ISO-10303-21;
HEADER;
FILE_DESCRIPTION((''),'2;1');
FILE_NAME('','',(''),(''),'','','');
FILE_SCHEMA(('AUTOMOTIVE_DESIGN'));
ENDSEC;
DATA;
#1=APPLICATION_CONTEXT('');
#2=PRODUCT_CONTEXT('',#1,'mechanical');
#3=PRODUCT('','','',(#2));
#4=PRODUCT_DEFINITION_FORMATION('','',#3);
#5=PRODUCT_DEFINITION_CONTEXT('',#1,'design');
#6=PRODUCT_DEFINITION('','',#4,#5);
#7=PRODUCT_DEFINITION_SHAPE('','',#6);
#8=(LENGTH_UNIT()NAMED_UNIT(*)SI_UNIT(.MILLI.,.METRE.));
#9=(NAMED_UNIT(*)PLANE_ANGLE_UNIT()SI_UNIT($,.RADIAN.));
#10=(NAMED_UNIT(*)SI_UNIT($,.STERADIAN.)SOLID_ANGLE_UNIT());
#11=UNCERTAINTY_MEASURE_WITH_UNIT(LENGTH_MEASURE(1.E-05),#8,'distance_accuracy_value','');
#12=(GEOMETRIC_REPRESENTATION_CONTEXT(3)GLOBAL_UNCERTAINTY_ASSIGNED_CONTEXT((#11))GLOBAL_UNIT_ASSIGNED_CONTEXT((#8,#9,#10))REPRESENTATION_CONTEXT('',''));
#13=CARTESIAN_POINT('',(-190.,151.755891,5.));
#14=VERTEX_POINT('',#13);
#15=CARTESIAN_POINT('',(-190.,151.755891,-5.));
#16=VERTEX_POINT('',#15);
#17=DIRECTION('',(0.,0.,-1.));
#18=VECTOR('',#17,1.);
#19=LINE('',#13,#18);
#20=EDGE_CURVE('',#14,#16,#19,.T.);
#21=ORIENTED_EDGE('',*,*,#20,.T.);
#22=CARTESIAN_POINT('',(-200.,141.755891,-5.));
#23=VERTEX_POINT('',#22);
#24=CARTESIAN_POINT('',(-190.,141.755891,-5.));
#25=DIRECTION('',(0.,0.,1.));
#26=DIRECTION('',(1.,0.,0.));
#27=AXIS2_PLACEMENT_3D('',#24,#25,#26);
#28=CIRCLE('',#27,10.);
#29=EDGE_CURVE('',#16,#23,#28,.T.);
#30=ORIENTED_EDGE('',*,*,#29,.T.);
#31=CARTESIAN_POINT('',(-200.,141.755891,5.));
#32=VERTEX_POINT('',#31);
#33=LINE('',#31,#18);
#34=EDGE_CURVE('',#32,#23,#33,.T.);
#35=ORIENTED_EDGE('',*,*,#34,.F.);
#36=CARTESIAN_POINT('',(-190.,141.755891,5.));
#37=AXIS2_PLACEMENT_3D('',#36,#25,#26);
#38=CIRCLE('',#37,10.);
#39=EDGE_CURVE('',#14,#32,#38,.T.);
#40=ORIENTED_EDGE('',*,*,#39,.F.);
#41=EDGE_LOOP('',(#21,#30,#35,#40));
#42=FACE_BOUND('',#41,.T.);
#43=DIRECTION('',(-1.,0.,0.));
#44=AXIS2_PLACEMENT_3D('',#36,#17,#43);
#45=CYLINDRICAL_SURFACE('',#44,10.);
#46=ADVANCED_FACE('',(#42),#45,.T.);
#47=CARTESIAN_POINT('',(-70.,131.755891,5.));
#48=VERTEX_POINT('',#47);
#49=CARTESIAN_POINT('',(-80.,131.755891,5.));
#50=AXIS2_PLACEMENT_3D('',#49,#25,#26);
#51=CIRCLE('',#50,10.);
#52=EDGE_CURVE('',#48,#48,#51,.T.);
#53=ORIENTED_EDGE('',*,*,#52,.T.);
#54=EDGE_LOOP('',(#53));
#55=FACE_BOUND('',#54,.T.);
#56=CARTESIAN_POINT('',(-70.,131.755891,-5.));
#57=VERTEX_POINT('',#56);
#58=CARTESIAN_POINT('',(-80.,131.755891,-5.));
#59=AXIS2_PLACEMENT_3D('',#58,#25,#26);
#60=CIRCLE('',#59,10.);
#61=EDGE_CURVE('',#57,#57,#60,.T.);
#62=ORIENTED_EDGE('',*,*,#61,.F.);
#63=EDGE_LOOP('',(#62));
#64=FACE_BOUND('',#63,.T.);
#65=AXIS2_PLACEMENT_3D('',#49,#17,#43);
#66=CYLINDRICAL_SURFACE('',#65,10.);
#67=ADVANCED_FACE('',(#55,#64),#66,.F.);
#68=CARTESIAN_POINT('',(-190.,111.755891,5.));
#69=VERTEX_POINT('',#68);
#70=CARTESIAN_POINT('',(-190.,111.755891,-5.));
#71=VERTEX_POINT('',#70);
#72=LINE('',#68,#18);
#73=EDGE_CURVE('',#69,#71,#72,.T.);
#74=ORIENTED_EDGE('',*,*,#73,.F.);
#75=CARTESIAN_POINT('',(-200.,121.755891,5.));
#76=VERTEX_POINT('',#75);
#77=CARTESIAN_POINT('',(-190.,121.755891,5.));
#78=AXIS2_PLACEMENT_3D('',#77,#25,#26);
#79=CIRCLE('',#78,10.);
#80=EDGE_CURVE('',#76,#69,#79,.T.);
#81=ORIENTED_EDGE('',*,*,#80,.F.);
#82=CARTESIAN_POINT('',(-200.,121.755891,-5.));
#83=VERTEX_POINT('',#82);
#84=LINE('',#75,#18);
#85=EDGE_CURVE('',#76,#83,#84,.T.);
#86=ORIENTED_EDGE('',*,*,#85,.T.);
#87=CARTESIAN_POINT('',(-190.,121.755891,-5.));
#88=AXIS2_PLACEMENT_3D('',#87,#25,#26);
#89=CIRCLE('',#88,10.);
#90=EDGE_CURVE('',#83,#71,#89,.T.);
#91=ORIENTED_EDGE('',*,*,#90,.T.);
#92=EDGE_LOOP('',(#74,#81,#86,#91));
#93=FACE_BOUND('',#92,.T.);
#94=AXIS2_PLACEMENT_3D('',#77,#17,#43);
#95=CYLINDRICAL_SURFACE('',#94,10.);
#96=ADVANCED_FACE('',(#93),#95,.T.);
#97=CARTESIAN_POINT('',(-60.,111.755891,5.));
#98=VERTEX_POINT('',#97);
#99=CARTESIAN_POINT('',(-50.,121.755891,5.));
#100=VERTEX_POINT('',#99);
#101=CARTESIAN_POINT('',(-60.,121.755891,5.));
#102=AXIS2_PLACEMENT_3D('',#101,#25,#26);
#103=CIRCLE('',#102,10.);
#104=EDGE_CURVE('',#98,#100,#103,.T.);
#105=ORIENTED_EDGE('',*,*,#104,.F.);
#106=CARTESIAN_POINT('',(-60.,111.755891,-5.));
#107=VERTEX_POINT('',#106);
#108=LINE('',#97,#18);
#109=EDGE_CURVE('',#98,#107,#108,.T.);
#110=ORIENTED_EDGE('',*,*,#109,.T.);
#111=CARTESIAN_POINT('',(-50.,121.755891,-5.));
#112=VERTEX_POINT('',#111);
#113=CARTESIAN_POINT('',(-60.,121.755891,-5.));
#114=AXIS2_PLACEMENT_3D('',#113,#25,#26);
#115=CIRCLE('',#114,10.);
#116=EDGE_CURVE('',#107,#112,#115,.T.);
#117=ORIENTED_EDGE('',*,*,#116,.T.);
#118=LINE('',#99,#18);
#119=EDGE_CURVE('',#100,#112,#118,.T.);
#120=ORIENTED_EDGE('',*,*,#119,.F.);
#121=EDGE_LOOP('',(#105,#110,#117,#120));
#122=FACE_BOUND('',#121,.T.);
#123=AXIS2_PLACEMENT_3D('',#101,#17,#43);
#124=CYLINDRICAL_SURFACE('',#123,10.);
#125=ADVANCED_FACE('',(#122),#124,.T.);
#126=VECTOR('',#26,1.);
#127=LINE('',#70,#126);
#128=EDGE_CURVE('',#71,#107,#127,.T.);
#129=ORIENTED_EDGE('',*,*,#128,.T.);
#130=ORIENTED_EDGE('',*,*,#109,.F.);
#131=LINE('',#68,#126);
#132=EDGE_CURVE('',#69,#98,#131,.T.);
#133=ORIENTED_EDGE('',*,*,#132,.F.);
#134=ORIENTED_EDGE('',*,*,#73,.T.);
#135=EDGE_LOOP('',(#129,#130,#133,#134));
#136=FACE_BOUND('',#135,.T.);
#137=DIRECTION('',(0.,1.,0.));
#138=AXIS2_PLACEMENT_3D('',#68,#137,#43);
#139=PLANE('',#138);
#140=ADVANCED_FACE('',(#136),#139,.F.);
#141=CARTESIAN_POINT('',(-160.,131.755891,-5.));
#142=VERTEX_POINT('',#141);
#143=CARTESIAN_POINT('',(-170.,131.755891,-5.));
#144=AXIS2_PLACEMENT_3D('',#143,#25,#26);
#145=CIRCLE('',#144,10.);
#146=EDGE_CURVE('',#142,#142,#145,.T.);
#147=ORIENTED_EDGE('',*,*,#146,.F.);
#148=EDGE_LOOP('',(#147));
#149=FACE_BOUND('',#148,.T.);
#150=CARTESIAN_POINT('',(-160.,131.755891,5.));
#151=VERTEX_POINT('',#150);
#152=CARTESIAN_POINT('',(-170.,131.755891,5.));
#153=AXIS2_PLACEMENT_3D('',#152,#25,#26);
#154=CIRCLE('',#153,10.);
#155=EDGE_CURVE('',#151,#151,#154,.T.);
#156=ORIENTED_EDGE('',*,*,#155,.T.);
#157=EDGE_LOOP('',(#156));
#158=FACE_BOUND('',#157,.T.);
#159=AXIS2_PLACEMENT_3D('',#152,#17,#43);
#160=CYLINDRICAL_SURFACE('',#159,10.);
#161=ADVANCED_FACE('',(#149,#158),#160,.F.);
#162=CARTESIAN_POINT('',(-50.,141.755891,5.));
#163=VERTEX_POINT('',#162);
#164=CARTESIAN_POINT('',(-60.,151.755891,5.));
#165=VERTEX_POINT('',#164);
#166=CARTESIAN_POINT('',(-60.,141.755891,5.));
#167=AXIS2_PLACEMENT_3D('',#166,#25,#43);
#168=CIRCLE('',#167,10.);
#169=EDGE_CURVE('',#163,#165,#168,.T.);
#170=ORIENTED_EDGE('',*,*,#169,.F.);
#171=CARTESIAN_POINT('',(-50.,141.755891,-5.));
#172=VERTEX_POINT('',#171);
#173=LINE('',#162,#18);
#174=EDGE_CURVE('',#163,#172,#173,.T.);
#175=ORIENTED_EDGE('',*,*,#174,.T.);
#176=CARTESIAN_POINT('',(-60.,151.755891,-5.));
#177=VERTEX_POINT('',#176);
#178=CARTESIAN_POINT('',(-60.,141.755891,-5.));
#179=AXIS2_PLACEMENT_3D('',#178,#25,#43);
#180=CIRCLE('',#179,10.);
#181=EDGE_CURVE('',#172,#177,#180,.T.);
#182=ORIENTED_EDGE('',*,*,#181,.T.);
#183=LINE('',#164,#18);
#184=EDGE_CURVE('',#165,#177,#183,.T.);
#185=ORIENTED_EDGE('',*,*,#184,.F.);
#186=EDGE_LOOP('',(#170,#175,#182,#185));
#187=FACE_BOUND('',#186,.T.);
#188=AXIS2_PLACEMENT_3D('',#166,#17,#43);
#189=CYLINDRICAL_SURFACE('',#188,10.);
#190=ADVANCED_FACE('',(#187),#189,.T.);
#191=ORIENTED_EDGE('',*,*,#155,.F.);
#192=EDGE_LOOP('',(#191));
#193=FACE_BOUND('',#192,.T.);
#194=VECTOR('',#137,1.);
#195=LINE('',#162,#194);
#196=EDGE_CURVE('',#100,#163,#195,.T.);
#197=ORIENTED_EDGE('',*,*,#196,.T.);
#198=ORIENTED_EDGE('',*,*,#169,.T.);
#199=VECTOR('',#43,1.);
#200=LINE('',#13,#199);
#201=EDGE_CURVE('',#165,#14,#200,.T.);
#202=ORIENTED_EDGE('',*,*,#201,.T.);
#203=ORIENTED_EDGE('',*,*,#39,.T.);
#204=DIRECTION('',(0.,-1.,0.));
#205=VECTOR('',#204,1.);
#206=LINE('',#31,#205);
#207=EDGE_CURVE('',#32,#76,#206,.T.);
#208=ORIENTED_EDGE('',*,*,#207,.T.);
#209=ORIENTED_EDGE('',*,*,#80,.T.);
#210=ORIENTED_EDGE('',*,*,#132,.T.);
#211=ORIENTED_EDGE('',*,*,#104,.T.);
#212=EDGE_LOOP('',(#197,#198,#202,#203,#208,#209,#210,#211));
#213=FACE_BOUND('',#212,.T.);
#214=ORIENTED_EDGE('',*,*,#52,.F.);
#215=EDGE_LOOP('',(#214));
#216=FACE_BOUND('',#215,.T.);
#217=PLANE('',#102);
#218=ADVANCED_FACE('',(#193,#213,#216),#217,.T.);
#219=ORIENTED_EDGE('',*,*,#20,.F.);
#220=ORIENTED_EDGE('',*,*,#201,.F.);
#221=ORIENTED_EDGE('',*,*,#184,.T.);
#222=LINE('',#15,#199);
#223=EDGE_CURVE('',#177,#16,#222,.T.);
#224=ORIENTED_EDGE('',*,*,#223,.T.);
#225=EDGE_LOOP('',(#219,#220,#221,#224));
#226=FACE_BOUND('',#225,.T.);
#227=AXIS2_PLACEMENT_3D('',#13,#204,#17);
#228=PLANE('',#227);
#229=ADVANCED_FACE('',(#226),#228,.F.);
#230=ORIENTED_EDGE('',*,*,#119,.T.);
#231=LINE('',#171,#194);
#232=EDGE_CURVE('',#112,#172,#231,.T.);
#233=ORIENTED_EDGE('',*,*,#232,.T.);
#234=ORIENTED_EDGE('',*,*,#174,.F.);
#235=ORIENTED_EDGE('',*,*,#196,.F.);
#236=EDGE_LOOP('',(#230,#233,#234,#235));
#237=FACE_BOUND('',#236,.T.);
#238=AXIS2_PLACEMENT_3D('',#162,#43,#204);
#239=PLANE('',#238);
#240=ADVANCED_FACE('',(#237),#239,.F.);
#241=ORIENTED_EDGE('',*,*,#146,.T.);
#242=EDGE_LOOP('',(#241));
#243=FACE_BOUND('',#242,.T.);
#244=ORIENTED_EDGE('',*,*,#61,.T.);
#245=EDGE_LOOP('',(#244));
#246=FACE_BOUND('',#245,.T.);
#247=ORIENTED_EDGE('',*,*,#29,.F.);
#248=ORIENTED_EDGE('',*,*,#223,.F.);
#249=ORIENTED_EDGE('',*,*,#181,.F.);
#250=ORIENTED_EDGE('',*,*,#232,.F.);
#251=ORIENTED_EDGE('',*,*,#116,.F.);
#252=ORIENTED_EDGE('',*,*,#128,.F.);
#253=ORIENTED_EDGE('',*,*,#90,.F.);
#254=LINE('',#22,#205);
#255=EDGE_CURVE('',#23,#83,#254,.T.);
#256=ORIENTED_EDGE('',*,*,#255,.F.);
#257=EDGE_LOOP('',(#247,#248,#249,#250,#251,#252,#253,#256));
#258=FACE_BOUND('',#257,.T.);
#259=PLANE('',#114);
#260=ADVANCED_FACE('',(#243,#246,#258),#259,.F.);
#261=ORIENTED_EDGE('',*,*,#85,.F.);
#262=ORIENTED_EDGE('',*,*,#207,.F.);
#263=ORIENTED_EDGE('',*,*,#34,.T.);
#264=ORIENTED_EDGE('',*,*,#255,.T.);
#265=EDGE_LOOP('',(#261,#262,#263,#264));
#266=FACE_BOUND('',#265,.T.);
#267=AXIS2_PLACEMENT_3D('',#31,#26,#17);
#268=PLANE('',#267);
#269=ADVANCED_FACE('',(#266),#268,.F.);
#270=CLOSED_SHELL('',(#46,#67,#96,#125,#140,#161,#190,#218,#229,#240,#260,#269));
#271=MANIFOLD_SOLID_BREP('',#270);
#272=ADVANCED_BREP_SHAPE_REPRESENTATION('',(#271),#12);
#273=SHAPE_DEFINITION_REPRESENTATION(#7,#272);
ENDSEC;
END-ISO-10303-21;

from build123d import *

# Parameters (mm, degrees)
SKETCH1_R           = 10
BOSS_EXTRUDE1_DEPTH = 5


with BuildPart() as part:
    # Sketch1 → Boss-Extrude1 (new body, symmetric)
    with BuildSketch(Plane.XY):
        with BuildLine():
            Line((-190, 151.755891263), (-60, 151.755891263))
            ThreePointArc((-60, 151.755891263), (-52.928932188, 148.826959075), (-50, 141.755891263))
            Line((-50, 141.755891263), (-50, 121.755891263))
            ThreePointArc((-50, 121.755891263), (-52.928932188, 114.684823451), (-60, 111.755891263))
            Line((-60, 111.755891263), (-190, 111.755891263))
            ThreePointArc((-190, 111.755891263), (-197.071067812, 114.684823451), (-200, 121.755891263))
            Line((-200, 121.755891263), (-200, 141.755891263))
            ThreePointArc((-200, 141.755891263), (-197.071067812, 148.826959075), (-190, 151.755891263))
        make_face()
        with Locations((-170, 131.755891263)):
            Circle(SKETCH1_R, mode=Mode.SUBTRACT)
        with Locations((-80, 131.755891263)):
            Circle(SKETCH1_R, mode=Mode.SUBTRACT)
    extrude(amount=BOSS_EXTRUDE1_DEPTH, both=True)


solid = part.part
